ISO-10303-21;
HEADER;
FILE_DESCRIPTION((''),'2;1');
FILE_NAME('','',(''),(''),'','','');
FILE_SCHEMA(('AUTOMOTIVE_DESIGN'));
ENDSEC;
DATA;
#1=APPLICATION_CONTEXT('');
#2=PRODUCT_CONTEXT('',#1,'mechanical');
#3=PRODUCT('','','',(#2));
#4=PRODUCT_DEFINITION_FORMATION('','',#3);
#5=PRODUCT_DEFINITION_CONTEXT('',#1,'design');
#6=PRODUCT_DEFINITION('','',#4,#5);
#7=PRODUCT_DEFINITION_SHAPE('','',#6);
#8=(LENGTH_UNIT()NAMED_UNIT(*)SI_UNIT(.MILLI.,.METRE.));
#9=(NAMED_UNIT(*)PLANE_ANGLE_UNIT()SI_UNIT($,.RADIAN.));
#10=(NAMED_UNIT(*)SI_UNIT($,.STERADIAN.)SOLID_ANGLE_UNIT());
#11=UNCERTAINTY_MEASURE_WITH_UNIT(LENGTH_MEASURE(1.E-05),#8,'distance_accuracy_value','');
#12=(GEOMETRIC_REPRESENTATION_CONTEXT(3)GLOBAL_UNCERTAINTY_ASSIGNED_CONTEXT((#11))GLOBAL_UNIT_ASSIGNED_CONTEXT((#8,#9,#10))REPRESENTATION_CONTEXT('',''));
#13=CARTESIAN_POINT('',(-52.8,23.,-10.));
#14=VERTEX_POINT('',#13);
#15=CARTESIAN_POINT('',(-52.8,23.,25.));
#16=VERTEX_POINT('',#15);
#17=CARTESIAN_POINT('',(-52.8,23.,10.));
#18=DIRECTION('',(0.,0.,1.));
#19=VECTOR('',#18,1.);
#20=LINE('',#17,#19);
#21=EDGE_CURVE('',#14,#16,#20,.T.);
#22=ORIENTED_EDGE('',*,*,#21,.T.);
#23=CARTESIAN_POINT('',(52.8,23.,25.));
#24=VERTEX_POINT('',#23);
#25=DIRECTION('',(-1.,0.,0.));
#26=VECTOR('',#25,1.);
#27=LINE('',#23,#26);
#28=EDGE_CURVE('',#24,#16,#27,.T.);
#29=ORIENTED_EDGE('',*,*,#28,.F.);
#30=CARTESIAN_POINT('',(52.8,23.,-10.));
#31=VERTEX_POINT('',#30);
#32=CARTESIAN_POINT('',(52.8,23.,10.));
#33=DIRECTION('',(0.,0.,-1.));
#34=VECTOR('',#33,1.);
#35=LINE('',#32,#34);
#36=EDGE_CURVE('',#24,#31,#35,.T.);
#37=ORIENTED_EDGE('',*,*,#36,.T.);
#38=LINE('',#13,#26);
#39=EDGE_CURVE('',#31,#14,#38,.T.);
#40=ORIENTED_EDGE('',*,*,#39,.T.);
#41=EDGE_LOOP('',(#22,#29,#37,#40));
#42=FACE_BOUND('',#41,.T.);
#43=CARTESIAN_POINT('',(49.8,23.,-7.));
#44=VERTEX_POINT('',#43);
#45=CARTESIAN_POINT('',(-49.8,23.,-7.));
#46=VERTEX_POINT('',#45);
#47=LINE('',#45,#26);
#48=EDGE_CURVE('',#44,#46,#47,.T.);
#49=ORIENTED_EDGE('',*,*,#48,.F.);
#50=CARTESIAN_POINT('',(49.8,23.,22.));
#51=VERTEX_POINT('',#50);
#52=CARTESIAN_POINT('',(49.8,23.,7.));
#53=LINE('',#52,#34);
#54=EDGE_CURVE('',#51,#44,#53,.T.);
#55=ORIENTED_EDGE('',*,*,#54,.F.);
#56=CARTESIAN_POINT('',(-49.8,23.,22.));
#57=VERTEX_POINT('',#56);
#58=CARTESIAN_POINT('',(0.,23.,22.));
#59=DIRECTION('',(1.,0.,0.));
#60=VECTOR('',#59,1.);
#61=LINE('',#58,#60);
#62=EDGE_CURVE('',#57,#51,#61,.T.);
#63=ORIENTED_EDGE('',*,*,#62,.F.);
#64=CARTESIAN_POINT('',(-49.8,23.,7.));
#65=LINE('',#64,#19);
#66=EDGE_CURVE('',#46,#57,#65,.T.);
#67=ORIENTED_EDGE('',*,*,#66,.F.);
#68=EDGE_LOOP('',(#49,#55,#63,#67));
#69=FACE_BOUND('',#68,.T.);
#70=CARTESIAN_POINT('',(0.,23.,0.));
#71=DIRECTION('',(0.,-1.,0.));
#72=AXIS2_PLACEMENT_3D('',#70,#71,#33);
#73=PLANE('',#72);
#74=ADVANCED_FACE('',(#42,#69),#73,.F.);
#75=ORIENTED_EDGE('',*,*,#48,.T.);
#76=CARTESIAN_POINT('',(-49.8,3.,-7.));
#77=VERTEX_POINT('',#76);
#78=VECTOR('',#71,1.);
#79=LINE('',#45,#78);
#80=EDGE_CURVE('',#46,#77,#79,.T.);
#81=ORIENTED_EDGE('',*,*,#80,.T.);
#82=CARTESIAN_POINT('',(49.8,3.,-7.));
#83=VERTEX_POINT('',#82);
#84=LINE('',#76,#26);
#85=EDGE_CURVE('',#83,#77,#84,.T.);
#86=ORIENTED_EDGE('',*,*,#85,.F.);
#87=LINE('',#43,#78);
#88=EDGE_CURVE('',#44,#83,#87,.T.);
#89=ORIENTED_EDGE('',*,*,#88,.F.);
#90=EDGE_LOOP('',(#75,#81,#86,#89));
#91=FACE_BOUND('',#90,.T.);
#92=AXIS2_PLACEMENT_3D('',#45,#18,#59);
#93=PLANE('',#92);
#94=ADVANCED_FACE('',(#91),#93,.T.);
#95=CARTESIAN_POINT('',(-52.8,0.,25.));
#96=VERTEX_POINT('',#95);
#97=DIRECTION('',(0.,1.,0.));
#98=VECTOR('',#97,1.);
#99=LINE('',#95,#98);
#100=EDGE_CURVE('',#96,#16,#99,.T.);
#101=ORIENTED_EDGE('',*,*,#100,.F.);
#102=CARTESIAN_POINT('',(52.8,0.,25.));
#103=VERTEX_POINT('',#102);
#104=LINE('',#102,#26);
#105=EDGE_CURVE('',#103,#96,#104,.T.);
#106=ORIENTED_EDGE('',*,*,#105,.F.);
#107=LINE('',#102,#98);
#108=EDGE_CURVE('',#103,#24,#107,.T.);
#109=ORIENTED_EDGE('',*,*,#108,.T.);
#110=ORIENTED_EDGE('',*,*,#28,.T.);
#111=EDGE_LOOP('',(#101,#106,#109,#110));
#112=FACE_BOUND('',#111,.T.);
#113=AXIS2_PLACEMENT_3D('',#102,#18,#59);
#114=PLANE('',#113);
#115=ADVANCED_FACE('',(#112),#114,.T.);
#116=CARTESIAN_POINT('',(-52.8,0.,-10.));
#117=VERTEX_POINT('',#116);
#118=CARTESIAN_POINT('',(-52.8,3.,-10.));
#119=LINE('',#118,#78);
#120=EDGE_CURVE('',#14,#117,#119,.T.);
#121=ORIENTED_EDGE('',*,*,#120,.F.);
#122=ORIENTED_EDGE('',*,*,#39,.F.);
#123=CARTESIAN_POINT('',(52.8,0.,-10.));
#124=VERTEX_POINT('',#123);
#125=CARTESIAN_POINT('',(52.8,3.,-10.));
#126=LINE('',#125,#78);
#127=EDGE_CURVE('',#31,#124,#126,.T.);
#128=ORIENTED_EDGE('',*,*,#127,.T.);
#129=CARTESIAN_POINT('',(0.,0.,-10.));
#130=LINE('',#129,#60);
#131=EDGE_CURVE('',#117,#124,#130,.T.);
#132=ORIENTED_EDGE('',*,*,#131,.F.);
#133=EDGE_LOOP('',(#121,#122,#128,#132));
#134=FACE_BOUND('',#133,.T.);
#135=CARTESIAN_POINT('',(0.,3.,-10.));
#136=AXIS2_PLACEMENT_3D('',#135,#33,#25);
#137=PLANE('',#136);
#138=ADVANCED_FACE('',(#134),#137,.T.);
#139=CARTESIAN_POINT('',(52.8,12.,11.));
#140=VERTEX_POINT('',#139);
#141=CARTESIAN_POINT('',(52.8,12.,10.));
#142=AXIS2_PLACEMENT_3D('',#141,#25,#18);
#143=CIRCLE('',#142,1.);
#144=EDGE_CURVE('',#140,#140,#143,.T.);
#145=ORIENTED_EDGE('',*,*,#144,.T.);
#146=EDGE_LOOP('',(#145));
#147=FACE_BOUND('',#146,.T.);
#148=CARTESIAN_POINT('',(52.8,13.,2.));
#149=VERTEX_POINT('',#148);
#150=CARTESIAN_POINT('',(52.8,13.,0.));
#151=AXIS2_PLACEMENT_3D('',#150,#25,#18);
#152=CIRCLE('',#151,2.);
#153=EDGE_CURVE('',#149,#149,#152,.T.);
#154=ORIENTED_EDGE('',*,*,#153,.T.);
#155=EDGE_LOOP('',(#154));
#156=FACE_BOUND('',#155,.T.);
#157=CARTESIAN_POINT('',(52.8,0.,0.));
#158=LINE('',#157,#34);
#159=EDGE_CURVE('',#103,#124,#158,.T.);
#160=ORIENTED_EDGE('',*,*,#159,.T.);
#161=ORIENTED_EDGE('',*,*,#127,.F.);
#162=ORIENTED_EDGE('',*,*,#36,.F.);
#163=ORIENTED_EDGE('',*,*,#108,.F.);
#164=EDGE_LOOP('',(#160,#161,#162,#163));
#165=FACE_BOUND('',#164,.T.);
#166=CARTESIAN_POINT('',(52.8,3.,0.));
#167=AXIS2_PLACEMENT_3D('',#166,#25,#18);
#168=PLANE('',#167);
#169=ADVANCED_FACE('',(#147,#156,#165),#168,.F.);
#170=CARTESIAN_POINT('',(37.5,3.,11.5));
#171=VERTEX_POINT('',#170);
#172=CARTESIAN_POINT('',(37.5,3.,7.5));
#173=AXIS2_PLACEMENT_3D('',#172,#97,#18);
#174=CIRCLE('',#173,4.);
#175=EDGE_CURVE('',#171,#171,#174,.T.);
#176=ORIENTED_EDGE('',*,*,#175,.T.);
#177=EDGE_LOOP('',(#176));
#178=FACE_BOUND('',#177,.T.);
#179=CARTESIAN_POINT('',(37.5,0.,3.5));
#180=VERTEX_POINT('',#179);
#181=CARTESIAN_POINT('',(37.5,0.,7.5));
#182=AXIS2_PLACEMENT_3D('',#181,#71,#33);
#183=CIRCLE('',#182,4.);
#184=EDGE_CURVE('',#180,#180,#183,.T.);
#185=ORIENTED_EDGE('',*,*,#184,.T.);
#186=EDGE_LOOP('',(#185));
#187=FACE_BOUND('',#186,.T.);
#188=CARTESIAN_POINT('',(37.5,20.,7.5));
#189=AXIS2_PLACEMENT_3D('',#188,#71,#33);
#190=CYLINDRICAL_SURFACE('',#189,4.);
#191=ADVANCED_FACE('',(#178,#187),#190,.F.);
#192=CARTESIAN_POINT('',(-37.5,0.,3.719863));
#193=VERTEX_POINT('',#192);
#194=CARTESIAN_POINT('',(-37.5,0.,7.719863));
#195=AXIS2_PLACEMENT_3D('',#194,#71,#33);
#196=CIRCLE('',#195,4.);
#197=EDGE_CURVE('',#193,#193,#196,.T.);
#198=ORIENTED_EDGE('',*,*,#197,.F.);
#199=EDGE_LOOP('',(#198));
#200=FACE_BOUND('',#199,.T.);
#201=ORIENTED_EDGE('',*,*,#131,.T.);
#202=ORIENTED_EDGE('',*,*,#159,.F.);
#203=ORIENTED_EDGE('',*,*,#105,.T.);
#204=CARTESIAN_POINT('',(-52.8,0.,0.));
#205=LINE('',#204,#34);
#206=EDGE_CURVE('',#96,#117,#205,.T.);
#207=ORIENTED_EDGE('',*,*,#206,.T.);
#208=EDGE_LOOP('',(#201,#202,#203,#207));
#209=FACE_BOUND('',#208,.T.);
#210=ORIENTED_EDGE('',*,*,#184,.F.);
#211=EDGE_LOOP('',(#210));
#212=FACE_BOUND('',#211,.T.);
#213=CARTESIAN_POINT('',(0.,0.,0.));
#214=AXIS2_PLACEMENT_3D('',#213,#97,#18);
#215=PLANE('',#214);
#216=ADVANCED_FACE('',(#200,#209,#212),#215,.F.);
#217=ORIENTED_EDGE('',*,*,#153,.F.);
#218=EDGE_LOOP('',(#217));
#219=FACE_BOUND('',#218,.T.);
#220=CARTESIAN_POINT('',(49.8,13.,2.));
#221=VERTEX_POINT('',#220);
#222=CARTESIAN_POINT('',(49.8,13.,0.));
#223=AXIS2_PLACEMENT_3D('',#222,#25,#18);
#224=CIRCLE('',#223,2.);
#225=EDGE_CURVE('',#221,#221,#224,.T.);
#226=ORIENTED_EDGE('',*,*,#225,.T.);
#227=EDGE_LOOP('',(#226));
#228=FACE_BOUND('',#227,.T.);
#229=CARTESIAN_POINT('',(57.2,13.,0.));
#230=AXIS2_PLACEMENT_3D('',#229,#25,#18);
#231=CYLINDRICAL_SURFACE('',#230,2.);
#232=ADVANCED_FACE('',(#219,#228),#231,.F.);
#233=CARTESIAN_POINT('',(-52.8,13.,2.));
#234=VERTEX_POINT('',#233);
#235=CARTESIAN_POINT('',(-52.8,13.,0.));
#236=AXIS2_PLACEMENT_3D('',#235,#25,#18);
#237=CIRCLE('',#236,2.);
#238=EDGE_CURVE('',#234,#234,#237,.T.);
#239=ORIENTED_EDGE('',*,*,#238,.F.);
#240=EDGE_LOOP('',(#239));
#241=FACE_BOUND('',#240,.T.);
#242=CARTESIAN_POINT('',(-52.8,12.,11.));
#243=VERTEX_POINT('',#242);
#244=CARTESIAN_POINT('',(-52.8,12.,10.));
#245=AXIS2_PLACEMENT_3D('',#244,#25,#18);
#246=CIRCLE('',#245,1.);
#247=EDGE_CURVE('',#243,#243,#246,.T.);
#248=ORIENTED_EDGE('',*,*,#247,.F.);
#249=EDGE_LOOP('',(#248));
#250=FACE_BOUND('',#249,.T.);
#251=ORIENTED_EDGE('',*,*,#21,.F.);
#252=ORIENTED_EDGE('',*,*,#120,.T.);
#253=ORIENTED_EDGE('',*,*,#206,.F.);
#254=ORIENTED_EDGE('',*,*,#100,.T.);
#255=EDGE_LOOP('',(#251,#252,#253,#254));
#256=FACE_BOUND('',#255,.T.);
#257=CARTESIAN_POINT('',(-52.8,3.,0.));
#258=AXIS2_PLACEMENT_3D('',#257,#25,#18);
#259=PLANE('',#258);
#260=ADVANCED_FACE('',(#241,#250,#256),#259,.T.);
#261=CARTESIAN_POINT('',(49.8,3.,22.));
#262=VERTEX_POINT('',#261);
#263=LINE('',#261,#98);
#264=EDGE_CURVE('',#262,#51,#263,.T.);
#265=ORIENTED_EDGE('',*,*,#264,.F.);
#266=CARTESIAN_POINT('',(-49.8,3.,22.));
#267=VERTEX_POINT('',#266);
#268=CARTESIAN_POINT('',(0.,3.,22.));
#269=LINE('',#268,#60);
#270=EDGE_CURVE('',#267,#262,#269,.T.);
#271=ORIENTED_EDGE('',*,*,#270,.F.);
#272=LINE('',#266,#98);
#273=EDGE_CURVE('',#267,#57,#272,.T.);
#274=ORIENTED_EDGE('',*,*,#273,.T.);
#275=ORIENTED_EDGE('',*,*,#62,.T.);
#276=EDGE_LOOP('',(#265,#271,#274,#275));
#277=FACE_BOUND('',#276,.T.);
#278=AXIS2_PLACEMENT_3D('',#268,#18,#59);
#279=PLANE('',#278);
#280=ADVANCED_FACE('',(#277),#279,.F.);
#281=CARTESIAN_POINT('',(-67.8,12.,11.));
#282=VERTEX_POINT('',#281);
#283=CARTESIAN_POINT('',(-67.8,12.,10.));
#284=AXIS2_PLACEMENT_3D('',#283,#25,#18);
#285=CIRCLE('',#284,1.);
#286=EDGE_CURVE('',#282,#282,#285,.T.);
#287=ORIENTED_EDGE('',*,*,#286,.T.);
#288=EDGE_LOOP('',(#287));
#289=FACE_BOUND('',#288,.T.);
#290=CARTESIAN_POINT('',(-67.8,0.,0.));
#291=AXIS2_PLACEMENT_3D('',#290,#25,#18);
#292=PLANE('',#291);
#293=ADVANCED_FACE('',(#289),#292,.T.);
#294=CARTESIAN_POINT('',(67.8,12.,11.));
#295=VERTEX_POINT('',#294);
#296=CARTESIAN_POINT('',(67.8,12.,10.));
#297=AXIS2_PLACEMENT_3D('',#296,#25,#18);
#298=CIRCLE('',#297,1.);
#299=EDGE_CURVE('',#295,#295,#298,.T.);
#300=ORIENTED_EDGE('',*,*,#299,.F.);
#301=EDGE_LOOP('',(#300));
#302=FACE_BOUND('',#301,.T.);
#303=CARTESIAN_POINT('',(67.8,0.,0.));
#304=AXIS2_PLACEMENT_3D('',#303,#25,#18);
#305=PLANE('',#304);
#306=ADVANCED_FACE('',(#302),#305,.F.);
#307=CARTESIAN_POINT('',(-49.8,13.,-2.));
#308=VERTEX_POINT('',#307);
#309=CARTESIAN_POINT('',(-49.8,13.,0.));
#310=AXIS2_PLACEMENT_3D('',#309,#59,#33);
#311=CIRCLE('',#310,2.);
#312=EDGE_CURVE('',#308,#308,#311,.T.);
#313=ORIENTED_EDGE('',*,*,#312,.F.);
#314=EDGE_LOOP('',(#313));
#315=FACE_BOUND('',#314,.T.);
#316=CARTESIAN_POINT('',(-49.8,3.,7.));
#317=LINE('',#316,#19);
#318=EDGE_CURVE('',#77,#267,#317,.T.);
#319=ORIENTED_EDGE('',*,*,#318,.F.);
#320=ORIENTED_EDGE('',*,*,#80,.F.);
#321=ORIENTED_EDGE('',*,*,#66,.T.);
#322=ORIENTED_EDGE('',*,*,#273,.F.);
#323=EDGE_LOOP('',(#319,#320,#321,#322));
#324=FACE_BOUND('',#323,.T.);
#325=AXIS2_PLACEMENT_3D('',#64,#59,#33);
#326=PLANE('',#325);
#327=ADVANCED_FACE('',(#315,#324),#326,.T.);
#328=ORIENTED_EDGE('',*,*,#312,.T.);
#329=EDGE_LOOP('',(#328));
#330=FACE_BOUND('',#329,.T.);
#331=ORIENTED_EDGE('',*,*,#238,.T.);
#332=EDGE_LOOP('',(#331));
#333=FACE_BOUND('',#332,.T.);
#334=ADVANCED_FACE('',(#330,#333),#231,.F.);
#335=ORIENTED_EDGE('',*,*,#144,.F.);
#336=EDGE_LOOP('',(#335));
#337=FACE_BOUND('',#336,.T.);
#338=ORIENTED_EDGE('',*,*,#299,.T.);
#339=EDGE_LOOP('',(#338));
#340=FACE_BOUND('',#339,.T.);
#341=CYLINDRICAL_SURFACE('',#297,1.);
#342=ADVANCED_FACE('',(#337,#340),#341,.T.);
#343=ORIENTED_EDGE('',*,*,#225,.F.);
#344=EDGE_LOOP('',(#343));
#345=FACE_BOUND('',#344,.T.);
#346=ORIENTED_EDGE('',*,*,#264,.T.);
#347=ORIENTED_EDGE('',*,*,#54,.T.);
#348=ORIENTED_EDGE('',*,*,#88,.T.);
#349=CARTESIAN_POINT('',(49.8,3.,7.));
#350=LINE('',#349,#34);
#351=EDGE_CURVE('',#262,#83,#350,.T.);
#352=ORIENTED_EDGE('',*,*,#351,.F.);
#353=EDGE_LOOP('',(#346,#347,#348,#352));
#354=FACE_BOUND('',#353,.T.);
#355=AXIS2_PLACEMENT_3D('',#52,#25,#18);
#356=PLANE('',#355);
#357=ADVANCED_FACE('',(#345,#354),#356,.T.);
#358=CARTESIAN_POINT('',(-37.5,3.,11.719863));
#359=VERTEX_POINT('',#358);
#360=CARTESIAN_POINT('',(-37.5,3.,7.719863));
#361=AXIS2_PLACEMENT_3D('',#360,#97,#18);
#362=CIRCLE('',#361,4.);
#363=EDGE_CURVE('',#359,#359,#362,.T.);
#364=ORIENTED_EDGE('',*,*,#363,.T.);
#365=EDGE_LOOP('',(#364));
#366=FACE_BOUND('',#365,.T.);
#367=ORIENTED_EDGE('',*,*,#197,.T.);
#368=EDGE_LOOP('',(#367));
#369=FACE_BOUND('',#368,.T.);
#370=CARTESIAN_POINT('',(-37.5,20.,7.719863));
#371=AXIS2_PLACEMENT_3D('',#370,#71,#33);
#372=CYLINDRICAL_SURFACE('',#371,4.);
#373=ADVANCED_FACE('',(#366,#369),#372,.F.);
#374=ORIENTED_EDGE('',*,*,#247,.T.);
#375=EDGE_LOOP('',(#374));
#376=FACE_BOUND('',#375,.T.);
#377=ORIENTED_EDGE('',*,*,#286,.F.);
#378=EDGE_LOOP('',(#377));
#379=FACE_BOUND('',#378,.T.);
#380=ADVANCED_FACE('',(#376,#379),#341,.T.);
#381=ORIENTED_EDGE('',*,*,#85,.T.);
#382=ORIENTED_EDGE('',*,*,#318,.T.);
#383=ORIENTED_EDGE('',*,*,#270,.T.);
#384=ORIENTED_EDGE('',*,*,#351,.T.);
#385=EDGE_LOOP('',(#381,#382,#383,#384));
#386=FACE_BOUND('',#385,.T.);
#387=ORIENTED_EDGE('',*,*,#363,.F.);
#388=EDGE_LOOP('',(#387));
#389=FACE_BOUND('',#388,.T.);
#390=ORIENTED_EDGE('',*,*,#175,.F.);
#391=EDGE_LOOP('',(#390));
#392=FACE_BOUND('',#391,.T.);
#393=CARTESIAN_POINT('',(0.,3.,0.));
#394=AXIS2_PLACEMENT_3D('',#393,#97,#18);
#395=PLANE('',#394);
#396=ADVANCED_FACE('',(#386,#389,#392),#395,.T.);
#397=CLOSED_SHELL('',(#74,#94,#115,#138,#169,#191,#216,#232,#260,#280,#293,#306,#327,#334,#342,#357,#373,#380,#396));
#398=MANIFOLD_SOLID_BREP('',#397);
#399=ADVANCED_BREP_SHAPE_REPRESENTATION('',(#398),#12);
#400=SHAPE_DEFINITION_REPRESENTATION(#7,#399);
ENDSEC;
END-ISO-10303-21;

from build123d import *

# Parameters (mm, degrees)
SKETCH_1_W           = 105.6
SKETCH_1_H           = 20
EXTRUDE_1_DEPTH      = 3
SKETCH_10_W          = 105.6
SKETCH_10_H          = 20
SKETCH_10_W_2        = 99.6
SKETCH_10_H_2        = 14
EXTRUDE_2_DEPTH      = 20
SKETCH_11_R          = 2
CUT_EXTRUDE_1_DEPTH  = 110
SKETCH_12_W          = 15
SKETCH_12_H          = 23
EXTRUDE_3_DEPTH      = 105.6
SKETCH_14_W          = 99.6
SKETCH_14_H          = 15
CUT_EXTRUDE_2_DEPTH  = 20
CUT_EXTRUDE_3_DEPTH  = 20
SKETCH_17_R          = 1
EXTRUDE_4_DEPTH      = 15
EXTRUDE_4_DEPTH_BACK = 120.6
SKETCH_19_W          = 99.6
SKETCH_19_H          = 29
CUT_EXTRUDE_4_DEPTH  = 10


with BuildPart() as part:
    # 草图1 → 凸台-拉伸1 (new body)
    with BuildSketch(Plane(origin=(0, 0, 0), x_dir=(1, 0, 0), z_dir=(0, 1, 0))):
        Rectangle(SKETCH_1_W, SKETCH_1_H)
    extrude(amount=EXTRUDE_1_DEPTH)

    # 草图10 → 凸台-拉伸2 (add)
    with BuildSketch(Plane(origin=(0, 3, 0), x_dir=(1, 0, 0), z_dir=(0, 1, 0))):
        Rectangle(SKETCH_10_W, SKETCH_10_H)
        Rectangle(SKETCH_10_W_2, SKETCH_10_H_2, mode=Mode.SUBTRACT)
    extrude(amount=EXTRUDE_2_DEPTH)

    # 草图11 → 切除-拉伸1 (cut)
    with BuildSketch(Plane.ZY.offset(52.8)):
        with Locations((0, 13)):
            Circle(SKETCH_11_R)
    extrude(amount=-CUT_EXTRUDE_1_DEPTH, mode=Mode.SUBTRACT)

    # 草图12 → 凸台-拉伸3 (add)
    with BuildSketch(Plane.ZY.offset(52.8)):
        with Locations((17.5, 11.5)):
            Rectangle(SKETCH_12_W, SKETCH_12_H)
    extrude(amount=-EXTRUDE_3_DEPTH)

    # 草图14 → 切除-拉伸2 (cut)
    with BuildSketch(Plane(origin=(0, 23, 0), x_dir=(1, 0, 0), z_dir=(0, 1, 0))):
        with Locations((0, -14.5)):
            Rectangle(SKETCH_14_W, SKETCH_14_H)
    extrude(amount=-CUT_EXTRUDE_2_DEPTH, mode=Mode.SUBTRACT)

    # 草图16 → 切除-拉伸3 (cut)
    with BuildSketch(Plane.XZ):
        with BuildLine():
            ThreePointArc((-33.5, 7.719862672), (-34.671572875, 10.548289796), (-37.5, 11.719862672))
            Line((-37.5, 11.719862672), (-37.5, 3.719862672))
            ThreePointArc((-37.5, 3.719862672), (-34.671572875, 4.891435547), (-33.5, 7.719862672))
        make_face()
        with BuildLine():
            Line((-37.5, 3.719862672), (-37.5, 11.719862672))
            ThreePointArc((-37.5, 11.719862672), (-41.5, 7.719862672), (-37.5, 3.719862672))
        make_face()
        with BuildLine():
            ThreePointArc((41.5, 7.5), (40.328427125, 10.328427125), (37.5, 11.5))
            Line((37.5, 11.5), (37.5, 3.5))
            ThreePointArc((37.5, 3.5), (40.328427125, 4.671572875), (41.5, 7.5))
        make_face()
        with BuildLine():
            Line((37.5, 3.5), (37.5, 11.5))
            ThreePointArc((37.5, 11.5), (33.5, 7.5), (37.5, 3.5))
        make_face()
    extrude(amount=-CUT_EXTRUDE_3_DEPTH, mode=Mode.SUBTRACT)

    # 草图17 → 凸台-拉伸4 (add, two sides)
    with BuildSketch(Plane.ZY.offset(52.8)) as extrude_4_sk:
        with Locations((10, 12)):
            Circle(SKETCH_17_R)
    extrude(amount=EXTRUDE_4_DEPTH)
    extrude(extrude_4_sk.sketch, amount=-EXTRUDE_4_DEPTH_BACK)

    # 草图19 → 切除-拉伸4 (cut)
    with BuildSketch(Plane(origin=(0, 3, 0), x_dir=(1, 0, 0), z_dir=(0, 1, 0))):
        with Locations((0, -7.5)):
            Rectangle(SKETCH_19_W, SKETCH_19_H)
    extrude(amount=CUT_EXTRUDE_4_DEPTH, mode=Mode.SUBTRACT)


solid = part.part
